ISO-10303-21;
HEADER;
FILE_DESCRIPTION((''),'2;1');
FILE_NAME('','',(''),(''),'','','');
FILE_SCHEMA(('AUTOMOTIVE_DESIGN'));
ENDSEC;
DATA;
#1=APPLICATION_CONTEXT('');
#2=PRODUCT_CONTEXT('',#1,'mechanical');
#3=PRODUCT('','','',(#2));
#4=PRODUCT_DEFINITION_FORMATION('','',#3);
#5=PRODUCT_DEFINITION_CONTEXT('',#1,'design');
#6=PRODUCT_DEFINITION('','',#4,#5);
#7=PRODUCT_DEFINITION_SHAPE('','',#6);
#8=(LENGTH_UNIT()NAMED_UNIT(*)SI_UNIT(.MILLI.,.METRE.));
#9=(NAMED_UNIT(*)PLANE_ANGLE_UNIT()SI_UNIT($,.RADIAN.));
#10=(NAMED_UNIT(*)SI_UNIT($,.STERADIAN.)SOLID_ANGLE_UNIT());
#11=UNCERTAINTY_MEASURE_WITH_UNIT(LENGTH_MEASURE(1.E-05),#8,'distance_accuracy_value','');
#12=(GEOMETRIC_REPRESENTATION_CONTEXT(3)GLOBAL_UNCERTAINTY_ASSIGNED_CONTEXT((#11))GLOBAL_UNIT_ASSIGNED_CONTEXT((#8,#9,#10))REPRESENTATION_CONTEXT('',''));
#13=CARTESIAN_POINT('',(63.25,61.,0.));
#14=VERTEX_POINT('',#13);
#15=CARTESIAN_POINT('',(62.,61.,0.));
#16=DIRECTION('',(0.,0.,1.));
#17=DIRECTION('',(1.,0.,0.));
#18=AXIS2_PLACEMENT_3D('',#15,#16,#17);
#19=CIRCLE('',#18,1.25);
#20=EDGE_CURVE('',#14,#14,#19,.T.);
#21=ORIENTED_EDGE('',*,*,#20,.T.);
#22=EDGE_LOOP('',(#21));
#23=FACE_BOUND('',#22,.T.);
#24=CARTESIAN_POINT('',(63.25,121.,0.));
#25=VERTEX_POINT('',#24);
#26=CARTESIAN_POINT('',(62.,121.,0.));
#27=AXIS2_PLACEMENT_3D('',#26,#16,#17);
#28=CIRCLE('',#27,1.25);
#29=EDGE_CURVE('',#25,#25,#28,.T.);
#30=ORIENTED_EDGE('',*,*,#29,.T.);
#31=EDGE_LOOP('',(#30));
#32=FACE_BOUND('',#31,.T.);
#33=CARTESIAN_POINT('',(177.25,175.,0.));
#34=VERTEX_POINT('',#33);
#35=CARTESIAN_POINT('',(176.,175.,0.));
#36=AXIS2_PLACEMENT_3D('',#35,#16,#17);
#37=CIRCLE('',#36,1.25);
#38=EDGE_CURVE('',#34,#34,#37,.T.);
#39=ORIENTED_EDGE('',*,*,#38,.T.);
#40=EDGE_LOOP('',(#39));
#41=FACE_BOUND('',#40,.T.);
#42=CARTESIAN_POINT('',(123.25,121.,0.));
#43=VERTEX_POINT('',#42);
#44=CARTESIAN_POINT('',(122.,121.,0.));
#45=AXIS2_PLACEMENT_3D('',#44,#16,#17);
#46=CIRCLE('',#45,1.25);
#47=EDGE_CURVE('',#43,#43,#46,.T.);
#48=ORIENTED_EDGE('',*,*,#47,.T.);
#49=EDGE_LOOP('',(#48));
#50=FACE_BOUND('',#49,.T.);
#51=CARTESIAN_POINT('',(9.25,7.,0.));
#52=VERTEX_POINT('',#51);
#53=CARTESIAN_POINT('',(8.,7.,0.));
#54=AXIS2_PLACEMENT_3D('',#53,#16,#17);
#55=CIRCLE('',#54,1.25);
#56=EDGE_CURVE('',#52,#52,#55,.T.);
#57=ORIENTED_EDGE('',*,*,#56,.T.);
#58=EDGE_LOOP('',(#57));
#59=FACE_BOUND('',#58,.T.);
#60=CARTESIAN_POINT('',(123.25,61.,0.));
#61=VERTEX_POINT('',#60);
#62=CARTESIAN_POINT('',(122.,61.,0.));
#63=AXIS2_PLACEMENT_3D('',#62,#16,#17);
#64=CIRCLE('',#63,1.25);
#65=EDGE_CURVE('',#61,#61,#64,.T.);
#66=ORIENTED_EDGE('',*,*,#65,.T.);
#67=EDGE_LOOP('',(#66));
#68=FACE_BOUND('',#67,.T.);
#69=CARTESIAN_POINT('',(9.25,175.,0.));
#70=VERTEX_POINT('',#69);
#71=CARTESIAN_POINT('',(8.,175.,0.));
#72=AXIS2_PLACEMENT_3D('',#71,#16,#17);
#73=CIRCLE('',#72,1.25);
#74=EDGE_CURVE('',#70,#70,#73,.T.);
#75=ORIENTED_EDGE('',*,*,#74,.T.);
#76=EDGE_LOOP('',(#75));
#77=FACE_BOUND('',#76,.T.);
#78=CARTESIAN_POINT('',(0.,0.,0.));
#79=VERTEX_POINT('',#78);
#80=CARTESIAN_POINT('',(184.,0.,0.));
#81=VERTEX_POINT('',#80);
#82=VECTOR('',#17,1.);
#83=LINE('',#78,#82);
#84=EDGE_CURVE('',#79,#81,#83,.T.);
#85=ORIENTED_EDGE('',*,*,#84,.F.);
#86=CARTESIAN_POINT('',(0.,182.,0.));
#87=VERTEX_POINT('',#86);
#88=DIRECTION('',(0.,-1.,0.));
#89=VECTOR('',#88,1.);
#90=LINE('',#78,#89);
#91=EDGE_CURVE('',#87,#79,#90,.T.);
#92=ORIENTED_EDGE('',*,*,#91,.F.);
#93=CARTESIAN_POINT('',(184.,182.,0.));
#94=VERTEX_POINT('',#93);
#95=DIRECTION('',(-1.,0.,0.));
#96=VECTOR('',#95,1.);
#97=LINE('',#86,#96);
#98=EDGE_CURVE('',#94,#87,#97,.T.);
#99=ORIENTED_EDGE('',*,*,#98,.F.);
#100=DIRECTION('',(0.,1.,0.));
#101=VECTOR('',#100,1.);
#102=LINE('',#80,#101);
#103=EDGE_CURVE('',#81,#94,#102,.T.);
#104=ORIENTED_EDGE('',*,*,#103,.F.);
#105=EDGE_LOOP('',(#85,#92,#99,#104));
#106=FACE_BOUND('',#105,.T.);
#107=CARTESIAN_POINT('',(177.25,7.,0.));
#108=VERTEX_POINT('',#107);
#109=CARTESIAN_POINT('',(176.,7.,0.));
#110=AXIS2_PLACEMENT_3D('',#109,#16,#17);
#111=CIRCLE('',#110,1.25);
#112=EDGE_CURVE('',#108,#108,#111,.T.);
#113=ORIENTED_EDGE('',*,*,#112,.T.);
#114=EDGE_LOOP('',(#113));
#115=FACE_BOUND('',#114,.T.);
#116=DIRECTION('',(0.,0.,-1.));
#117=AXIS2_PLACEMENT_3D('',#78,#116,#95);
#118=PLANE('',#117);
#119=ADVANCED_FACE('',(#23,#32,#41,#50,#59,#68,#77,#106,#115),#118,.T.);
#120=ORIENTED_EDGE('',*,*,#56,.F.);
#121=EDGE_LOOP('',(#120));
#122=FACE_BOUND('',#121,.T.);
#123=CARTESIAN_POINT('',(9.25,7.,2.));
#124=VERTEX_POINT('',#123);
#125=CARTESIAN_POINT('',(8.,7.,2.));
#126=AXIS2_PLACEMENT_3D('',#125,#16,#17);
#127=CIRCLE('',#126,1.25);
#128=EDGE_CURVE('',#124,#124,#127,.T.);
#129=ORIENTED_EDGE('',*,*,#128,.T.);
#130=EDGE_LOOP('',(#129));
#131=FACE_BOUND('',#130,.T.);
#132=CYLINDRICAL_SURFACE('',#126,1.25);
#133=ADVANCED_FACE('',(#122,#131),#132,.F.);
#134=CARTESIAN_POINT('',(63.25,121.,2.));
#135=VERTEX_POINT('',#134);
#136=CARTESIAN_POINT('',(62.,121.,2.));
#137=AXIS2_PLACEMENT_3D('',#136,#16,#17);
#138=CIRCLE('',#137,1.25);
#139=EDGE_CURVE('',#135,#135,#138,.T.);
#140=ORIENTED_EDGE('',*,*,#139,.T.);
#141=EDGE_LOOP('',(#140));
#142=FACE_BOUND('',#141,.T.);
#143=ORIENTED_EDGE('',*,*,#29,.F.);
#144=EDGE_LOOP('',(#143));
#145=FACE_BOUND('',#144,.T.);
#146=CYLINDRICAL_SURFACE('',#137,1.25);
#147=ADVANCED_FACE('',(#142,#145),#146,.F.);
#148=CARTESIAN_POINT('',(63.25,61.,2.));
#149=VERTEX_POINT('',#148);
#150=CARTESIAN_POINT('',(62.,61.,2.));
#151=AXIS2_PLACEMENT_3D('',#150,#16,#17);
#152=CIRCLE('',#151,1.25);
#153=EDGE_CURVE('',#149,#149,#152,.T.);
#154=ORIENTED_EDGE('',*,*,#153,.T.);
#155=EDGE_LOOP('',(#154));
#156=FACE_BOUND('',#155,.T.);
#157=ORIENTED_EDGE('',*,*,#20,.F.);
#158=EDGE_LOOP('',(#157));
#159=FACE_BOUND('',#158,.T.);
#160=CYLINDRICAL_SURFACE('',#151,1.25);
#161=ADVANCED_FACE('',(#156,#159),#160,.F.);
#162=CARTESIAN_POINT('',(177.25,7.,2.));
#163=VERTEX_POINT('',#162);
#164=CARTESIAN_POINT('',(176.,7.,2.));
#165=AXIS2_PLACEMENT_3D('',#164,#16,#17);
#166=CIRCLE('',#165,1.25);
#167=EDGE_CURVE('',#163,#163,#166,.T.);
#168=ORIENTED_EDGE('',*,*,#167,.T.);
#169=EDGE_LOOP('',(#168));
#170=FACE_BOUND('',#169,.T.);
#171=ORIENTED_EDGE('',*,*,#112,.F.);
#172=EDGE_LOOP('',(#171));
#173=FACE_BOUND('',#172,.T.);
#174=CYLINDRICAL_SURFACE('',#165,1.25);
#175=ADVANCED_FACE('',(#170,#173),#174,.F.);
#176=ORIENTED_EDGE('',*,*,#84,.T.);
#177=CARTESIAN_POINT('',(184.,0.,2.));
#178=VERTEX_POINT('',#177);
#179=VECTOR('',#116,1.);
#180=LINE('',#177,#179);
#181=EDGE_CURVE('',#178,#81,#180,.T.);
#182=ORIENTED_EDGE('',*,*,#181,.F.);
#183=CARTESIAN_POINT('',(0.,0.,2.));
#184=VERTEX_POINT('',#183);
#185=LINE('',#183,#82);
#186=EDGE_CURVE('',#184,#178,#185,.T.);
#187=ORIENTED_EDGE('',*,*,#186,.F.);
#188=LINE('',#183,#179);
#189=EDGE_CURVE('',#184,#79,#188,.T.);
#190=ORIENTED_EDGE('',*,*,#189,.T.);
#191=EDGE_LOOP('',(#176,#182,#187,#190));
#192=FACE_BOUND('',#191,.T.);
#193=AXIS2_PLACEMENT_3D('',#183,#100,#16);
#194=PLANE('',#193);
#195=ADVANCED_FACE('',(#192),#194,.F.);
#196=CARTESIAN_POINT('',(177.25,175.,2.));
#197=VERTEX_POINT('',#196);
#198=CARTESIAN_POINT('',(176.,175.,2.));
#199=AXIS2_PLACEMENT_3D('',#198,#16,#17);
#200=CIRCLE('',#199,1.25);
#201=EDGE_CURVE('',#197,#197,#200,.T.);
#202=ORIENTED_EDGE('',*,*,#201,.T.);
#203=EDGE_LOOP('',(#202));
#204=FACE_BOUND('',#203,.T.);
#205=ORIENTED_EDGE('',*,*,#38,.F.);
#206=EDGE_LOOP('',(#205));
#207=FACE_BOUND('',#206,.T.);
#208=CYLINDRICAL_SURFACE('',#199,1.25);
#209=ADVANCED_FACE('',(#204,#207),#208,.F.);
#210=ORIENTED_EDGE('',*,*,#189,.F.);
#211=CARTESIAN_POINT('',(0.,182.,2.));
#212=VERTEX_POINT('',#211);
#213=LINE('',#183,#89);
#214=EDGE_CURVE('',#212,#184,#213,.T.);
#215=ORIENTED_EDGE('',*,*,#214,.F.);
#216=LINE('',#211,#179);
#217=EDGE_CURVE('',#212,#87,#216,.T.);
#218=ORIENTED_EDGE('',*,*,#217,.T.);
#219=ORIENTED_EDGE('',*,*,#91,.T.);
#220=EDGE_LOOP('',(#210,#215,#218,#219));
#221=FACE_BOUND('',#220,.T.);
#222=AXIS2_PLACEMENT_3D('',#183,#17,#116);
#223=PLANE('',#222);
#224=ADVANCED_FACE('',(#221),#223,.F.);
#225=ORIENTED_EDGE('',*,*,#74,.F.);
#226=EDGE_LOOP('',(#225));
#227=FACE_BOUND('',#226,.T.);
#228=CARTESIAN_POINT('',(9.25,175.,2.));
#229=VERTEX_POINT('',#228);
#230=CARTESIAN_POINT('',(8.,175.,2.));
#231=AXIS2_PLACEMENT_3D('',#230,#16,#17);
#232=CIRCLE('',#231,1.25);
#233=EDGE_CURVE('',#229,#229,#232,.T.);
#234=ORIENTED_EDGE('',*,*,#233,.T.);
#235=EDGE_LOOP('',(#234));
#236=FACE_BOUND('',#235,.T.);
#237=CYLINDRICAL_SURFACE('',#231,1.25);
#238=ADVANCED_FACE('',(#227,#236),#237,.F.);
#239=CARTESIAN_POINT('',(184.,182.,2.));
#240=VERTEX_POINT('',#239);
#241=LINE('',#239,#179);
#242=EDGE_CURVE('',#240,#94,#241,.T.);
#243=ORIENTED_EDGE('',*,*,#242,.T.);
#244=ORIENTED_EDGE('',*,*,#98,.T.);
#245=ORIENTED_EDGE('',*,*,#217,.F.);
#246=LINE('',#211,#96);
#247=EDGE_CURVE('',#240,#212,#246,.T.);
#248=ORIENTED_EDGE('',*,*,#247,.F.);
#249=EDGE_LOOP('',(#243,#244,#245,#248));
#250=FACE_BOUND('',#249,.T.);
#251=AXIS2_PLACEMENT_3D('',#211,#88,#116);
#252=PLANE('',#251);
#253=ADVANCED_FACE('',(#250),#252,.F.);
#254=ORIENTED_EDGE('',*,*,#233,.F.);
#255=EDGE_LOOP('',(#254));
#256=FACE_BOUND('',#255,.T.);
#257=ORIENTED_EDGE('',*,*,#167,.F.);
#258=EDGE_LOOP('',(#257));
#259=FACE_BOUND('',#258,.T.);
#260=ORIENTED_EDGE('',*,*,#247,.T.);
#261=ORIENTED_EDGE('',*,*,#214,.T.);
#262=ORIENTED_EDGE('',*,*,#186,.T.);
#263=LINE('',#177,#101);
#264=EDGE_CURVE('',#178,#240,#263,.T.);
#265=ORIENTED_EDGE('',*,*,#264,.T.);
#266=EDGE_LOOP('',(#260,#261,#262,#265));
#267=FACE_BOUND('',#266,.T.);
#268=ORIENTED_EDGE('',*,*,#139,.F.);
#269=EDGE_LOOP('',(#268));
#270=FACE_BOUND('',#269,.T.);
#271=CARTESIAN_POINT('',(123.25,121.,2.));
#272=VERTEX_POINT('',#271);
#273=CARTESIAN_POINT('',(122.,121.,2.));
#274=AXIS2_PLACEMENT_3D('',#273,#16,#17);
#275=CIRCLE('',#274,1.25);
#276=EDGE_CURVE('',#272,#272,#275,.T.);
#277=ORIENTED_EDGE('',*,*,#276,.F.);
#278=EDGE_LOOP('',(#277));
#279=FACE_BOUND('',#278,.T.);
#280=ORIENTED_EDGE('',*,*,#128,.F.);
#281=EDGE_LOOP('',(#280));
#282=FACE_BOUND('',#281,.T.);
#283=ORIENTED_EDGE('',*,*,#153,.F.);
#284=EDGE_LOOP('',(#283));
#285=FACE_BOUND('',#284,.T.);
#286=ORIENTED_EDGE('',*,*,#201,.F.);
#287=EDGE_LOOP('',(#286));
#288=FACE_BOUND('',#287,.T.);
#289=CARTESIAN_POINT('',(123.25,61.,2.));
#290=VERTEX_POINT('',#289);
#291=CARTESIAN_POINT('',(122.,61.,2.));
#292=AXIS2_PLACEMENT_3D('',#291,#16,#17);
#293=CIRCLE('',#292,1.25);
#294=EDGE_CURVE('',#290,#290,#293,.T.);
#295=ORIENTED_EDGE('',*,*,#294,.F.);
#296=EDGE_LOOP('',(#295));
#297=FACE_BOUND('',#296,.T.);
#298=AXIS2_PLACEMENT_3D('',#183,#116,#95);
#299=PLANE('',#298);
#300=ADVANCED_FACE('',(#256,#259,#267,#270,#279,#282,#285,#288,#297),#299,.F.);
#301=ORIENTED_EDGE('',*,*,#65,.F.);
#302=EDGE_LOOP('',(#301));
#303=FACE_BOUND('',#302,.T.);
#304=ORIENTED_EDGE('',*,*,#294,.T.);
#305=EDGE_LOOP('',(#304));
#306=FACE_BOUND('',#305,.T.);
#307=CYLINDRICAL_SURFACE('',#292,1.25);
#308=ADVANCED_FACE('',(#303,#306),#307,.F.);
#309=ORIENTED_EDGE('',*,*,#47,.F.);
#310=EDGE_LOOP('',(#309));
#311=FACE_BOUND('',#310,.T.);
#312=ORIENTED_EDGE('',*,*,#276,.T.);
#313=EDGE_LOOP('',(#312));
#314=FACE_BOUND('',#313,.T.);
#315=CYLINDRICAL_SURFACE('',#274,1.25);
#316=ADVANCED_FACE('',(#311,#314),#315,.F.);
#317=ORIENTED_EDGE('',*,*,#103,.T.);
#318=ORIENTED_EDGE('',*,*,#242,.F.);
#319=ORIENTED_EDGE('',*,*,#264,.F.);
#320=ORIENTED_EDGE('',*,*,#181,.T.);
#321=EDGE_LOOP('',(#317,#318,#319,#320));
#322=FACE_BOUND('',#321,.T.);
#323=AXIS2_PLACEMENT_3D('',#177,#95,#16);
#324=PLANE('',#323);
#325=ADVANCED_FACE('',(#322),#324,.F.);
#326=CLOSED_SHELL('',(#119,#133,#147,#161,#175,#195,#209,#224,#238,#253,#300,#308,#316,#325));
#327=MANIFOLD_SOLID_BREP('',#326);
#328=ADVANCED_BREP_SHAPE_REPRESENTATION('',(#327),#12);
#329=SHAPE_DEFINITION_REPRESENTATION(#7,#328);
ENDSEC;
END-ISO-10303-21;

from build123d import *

# Parameters (mm, degrees)
SKETCH_1_W      = 184
SKETCH_1_H      = 182
EXTRUDE_1_DEPTH = 2
M3X0_5_1_D      = 2.5
M3X0_5_2_D      = 2.5


with BuildPart() as part:
    # ｽｹｯﾁ1 → ﾎﾞｽ - 押し出し1 (new body)
    with BuildSketch(Plane.XY):
        with Locations((92, 91)):
            Rectangle(SKETCH_1_W, SKETCH_1_H)
    extrude(amount=EXTRUDE_1_DEPTH)

    # M3x0.5 ねじ穴1 (through all)
    with Locations(Plane.XY.offset(2)):
        with Locations((8, 175), (8, 7), (176, 7), (176, 175)):
            Hole(M3X0_5_1_D / 2)

    # M3x0.5 ねじ穴2 (through all)
    with Locations(Plane.XY.offset(2)):
        with Locations((62, 61), (62, 121)):
            m3x0_5_2 = Hole(M3X0_5_2_D / 2)

    # ﾐﾗｰ1: M3x0.5 ねじ穴2 across plane
    add(m3x0_5_2.mirror(Plane(origin=(92, 0, 0), x_dir=(0, 0, 1), z_dir=(1, 0, 0))), mode=Mode.SUBTRACT)


solid = part.part
